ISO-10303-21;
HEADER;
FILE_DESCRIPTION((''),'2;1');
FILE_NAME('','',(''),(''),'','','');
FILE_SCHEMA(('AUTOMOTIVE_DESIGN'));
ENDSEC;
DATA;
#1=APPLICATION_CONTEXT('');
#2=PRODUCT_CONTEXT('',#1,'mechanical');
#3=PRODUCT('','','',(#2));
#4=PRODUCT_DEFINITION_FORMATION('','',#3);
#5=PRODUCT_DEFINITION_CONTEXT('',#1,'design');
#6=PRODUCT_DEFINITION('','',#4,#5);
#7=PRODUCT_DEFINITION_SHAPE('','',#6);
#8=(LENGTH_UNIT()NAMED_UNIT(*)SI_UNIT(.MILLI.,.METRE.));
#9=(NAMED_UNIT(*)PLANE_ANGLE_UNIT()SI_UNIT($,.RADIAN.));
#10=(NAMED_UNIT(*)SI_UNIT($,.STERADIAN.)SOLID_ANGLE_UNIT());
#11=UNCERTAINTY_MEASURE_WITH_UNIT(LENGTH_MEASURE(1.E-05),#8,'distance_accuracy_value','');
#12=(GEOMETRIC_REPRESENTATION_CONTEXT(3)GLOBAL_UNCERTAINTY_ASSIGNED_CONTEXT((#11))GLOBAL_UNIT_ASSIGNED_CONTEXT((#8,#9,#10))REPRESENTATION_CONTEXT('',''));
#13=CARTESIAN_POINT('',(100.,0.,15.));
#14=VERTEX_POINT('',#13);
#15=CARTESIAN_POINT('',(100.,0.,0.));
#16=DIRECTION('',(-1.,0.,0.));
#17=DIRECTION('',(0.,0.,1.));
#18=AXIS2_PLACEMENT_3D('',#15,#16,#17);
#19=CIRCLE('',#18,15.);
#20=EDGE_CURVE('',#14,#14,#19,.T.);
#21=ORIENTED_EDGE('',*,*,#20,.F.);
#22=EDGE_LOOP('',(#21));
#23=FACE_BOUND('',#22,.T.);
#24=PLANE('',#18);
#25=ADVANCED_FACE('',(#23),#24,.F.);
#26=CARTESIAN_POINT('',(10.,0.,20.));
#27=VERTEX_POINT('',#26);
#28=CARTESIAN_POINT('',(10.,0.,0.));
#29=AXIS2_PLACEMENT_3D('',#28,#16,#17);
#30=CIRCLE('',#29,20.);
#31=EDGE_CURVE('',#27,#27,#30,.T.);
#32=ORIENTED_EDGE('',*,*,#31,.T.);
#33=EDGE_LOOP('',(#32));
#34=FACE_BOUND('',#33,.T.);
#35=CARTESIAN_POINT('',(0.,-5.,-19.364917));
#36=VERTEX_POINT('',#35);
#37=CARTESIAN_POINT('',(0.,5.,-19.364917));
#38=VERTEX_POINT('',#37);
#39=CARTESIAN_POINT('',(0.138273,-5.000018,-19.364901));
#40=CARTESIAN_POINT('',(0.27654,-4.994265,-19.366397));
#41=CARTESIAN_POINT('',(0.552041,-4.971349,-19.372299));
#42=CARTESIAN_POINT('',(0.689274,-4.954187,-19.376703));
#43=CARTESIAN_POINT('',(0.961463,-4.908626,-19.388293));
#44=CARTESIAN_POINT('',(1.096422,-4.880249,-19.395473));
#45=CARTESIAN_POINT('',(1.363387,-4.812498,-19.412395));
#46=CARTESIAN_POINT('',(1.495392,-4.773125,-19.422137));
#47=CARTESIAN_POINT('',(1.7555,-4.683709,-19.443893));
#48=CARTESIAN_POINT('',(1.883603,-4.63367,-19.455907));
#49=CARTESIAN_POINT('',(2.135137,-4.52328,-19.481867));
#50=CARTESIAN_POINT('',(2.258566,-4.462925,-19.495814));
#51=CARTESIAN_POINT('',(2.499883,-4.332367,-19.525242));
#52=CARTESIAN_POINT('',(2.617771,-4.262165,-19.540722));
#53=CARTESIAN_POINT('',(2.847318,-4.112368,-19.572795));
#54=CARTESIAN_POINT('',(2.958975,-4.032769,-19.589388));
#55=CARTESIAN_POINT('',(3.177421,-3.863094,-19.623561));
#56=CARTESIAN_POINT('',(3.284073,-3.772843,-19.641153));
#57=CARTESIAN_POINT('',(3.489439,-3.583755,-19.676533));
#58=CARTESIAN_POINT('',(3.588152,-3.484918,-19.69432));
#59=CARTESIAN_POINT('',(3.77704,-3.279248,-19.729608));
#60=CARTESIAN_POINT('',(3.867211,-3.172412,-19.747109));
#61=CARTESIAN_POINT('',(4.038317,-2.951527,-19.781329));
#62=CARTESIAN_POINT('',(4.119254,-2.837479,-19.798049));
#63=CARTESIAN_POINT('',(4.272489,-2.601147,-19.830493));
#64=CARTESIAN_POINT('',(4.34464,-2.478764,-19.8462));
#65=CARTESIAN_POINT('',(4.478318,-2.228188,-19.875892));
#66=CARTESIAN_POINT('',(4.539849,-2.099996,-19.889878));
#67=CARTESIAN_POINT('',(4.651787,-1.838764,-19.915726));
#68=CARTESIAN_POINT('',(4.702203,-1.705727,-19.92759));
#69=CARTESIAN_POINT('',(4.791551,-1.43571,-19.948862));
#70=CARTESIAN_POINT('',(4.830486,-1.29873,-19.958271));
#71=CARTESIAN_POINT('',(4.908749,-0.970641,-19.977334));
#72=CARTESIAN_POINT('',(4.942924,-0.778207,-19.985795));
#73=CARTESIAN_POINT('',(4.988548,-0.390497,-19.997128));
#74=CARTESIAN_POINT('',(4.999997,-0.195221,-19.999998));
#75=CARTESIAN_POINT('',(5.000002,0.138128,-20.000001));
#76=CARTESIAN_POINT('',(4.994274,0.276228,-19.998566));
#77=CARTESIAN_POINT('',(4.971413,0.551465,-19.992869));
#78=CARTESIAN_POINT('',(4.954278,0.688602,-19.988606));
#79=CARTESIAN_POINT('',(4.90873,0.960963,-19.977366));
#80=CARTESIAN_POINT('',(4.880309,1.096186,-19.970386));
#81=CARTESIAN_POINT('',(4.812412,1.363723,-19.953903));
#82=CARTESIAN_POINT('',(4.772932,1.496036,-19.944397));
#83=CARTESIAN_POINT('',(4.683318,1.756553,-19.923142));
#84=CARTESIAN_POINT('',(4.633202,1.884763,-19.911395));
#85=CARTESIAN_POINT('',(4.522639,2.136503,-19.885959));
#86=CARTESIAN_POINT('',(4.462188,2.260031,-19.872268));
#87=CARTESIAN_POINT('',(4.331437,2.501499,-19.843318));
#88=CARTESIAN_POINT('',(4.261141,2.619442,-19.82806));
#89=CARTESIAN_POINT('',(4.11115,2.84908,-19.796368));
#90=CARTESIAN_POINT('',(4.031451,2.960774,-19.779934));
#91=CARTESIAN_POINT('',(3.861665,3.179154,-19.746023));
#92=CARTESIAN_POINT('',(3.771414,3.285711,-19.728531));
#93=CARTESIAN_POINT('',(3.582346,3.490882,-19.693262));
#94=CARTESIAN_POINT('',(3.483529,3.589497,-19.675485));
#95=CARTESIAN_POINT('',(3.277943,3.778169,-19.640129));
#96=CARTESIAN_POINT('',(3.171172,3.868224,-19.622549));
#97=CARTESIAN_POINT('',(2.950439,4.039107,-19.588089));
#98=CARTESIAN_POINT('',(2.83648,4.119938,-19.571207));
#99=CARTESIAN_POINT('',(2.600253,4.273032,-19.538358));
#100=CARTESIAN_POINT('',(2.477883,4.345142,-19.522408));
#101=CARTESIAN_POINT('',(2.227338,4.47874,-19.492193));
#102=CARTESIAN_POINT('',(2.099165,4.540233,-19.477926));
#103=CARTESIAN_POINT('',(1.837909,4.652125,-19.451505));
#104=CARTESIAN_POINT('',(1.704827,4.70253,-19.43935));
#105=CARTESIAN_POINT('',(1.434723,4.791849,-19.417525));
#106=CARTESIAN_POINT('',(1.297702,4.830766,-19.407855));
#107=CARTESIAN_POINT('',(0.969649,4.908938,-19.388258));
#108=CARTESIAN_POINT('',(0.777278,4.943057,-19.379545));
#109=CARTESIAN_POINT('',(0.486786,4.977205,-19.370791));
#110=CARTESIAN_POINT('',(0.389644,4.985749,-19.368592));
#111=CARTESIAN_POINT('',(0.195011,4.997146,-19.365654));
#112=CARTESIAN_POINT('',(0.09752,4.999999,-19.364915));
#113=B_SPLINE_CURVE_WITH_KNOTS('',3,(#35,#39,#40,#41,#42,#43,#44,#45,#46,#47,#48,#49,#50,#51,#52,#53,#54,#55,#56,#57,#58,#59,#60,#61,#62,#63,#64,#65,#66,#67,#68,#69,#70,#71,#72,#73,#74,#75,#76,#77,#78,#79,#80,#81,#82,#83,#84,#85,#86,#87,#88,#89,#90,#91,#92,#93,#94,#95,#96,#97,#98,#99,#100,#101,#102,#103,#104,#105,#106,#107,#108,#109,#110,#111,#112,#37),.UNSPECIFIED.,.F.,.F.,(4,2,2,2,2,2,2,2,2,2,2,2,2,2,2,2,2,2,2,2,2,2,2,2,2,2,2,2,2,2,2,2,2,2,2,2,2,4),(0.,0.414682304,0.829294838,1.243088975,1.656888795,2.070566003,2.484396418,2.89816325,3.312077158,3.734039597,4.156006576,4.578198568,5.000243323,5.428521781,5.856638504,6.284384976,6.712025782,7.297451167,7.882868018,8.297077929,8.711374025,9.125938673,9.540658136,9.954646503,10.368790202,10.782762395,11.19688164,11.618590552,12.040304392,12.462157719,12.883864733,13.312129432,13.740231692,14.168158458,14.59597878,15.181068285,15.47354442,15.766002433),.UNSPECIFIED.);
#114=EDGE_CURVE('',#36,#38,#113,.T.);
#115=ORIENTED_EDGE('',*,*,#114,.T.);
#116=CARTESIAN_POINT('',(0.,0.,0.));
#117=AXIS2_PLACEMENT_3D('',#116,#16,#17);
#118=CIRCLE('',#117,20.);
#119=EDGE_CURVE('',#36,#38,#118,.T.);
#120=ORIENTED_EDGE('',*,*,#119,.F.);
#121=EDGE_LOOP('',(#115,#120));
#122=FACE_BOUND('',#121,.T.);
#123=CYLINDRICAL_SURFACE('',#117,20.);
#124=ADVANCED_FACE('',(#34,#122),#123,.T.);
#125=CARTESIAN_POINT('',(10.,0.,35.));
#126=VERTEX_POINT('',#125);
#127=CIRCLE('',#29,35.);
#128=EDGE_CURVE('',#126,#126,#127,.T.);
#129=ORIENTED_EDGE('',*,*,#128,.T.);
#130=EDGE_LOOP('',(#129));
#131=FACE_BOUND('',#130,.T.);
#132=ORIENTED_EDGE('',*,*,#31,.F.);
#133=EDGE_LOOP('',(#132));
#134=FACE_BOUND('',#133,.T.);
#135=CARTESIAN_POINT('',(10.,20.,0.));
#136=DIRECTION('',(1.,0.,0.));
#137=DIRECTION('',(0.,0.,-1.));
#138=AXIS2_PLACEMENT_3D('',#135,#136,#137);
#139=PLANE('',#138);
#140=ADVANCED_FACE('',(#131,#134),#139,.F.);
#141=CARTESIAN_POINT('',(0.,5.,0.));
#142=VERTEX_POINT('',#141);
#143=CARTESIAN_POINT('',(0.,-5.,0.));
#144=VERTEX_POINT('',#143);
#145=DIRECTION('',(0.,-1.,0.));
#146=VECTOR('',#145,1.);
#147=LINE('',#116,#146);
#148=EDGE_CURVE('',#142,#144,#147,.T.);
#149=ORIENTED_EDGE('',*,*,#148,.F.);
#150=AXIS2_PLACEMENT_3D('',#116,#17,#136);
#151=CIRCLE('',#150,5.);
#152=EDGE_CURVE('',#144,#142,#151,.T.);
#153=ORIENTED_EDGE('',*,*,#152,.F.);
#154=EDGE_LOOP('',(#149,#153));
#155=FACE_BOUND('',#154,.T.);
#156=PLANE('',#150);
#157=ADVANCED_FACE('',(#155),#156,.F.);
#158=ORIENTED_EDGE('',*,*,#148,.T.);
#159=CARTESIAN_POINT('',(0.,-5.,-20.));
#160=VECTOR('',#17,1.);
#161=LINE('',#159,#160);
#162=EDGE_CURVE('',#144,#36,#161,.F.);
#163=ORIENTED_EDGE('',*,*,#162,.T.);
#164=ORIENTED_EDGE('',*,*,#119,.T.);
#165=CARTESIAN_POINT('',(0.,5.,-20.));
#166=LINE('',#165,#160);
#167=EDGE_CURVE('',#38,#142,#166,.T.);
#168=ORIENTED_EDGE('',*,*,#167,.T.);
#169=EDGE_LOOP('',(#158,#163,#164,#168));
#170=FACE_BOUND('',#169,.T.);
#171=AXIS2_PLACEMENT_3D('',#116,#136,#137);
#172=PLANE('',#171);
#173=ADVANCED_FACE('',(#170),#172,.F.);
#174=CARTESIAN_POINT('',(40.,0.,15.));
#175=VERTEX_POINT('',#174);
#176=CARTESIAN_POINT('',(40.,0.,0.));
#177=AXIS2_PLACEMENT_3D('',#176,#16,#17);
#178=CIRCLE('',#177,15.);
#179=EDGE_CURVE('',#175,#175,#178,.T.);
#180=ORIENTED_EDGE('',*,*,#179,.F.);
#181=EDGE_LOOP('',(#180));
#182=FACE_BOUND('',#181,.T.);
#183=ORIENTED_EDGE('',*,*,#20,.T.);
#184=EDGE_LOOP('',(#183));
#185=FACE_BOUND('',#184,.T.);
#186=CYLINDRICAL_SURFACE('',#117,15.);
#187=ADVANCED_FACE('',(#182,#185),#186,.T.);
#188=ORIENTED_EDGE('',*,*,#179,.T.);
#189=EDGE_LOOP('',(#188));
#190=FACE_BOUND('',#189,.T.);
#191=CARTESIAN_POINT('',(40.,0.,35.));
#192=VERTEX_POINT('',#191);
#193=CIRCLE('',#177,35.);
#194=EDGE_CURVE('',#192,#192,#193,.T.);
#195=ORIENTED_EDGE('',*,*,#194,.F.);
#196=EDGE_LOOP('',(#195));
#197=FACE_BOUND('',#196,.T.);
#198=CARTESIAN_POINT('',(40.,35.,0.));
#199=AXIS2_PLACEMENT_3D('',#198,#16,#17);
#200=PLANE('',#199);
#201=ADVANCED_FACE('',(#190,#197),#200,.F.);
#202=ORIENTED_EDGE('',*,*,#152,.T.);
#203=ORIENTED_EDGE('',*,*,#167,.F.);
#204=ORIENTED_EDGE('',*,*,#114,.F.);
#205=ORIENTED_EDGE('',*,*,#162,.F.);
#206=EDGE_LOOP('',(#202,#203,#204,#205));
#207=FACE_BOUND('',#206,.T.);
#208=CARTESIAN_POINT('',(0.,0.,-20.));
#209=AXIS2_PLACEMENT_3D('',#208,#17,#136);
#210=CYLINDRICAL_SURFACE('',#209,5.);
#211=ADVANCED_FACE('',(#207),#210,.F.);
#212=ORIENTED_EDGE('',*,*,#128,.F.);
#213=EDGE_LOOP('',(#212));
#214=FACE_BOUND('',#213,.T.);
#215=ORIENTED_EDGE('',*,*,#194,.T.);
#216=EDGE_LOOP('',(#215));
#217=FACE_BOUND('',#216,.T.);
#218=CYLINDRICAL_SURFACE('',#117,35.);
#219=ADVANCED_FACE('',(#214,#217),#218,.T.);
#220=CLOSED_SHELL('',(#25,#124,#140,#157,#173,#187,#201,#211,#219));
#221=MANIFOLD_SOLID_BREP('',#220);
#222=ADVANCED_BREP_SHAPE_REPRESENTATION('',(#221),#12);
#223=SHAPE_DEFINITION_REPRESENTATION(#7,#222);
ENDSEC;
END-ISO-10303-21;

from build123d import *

# Parameters (mm, degrees)
SKETCH_2_R          = 5
CUT_EXTRUDE_1_DEPTH = 20


with BuildPart() as part:
    # Эскиз1 → Повернуть1 (revolve)
    with BuildSketch(Plane.XY, mode=Mode.PRIVATE) as revolve_1_sk:
        Polygon((0, 0), (100, 0), (100, 15), (40, 15), (40, 35), (10, 35), (10, 20), (0, 20), align=None)
    revolve(revolve_1_sk.sketch.rotate(Axis((0, 0, 0), (1, 0, 0)), 90), axis=Axis((0, 0, 0), (1, 0, 0)))

    # Эскиз2 → Вырез-Вытянуть1 (cut)
    with BuildSketch(Plane.XY):
        Circle(SKETCH_2_R)
    extrude(amount=-CUT_EXTRUDE_1_DEPTH, mode=Mode.SUBTRACT)


solid = part.part
